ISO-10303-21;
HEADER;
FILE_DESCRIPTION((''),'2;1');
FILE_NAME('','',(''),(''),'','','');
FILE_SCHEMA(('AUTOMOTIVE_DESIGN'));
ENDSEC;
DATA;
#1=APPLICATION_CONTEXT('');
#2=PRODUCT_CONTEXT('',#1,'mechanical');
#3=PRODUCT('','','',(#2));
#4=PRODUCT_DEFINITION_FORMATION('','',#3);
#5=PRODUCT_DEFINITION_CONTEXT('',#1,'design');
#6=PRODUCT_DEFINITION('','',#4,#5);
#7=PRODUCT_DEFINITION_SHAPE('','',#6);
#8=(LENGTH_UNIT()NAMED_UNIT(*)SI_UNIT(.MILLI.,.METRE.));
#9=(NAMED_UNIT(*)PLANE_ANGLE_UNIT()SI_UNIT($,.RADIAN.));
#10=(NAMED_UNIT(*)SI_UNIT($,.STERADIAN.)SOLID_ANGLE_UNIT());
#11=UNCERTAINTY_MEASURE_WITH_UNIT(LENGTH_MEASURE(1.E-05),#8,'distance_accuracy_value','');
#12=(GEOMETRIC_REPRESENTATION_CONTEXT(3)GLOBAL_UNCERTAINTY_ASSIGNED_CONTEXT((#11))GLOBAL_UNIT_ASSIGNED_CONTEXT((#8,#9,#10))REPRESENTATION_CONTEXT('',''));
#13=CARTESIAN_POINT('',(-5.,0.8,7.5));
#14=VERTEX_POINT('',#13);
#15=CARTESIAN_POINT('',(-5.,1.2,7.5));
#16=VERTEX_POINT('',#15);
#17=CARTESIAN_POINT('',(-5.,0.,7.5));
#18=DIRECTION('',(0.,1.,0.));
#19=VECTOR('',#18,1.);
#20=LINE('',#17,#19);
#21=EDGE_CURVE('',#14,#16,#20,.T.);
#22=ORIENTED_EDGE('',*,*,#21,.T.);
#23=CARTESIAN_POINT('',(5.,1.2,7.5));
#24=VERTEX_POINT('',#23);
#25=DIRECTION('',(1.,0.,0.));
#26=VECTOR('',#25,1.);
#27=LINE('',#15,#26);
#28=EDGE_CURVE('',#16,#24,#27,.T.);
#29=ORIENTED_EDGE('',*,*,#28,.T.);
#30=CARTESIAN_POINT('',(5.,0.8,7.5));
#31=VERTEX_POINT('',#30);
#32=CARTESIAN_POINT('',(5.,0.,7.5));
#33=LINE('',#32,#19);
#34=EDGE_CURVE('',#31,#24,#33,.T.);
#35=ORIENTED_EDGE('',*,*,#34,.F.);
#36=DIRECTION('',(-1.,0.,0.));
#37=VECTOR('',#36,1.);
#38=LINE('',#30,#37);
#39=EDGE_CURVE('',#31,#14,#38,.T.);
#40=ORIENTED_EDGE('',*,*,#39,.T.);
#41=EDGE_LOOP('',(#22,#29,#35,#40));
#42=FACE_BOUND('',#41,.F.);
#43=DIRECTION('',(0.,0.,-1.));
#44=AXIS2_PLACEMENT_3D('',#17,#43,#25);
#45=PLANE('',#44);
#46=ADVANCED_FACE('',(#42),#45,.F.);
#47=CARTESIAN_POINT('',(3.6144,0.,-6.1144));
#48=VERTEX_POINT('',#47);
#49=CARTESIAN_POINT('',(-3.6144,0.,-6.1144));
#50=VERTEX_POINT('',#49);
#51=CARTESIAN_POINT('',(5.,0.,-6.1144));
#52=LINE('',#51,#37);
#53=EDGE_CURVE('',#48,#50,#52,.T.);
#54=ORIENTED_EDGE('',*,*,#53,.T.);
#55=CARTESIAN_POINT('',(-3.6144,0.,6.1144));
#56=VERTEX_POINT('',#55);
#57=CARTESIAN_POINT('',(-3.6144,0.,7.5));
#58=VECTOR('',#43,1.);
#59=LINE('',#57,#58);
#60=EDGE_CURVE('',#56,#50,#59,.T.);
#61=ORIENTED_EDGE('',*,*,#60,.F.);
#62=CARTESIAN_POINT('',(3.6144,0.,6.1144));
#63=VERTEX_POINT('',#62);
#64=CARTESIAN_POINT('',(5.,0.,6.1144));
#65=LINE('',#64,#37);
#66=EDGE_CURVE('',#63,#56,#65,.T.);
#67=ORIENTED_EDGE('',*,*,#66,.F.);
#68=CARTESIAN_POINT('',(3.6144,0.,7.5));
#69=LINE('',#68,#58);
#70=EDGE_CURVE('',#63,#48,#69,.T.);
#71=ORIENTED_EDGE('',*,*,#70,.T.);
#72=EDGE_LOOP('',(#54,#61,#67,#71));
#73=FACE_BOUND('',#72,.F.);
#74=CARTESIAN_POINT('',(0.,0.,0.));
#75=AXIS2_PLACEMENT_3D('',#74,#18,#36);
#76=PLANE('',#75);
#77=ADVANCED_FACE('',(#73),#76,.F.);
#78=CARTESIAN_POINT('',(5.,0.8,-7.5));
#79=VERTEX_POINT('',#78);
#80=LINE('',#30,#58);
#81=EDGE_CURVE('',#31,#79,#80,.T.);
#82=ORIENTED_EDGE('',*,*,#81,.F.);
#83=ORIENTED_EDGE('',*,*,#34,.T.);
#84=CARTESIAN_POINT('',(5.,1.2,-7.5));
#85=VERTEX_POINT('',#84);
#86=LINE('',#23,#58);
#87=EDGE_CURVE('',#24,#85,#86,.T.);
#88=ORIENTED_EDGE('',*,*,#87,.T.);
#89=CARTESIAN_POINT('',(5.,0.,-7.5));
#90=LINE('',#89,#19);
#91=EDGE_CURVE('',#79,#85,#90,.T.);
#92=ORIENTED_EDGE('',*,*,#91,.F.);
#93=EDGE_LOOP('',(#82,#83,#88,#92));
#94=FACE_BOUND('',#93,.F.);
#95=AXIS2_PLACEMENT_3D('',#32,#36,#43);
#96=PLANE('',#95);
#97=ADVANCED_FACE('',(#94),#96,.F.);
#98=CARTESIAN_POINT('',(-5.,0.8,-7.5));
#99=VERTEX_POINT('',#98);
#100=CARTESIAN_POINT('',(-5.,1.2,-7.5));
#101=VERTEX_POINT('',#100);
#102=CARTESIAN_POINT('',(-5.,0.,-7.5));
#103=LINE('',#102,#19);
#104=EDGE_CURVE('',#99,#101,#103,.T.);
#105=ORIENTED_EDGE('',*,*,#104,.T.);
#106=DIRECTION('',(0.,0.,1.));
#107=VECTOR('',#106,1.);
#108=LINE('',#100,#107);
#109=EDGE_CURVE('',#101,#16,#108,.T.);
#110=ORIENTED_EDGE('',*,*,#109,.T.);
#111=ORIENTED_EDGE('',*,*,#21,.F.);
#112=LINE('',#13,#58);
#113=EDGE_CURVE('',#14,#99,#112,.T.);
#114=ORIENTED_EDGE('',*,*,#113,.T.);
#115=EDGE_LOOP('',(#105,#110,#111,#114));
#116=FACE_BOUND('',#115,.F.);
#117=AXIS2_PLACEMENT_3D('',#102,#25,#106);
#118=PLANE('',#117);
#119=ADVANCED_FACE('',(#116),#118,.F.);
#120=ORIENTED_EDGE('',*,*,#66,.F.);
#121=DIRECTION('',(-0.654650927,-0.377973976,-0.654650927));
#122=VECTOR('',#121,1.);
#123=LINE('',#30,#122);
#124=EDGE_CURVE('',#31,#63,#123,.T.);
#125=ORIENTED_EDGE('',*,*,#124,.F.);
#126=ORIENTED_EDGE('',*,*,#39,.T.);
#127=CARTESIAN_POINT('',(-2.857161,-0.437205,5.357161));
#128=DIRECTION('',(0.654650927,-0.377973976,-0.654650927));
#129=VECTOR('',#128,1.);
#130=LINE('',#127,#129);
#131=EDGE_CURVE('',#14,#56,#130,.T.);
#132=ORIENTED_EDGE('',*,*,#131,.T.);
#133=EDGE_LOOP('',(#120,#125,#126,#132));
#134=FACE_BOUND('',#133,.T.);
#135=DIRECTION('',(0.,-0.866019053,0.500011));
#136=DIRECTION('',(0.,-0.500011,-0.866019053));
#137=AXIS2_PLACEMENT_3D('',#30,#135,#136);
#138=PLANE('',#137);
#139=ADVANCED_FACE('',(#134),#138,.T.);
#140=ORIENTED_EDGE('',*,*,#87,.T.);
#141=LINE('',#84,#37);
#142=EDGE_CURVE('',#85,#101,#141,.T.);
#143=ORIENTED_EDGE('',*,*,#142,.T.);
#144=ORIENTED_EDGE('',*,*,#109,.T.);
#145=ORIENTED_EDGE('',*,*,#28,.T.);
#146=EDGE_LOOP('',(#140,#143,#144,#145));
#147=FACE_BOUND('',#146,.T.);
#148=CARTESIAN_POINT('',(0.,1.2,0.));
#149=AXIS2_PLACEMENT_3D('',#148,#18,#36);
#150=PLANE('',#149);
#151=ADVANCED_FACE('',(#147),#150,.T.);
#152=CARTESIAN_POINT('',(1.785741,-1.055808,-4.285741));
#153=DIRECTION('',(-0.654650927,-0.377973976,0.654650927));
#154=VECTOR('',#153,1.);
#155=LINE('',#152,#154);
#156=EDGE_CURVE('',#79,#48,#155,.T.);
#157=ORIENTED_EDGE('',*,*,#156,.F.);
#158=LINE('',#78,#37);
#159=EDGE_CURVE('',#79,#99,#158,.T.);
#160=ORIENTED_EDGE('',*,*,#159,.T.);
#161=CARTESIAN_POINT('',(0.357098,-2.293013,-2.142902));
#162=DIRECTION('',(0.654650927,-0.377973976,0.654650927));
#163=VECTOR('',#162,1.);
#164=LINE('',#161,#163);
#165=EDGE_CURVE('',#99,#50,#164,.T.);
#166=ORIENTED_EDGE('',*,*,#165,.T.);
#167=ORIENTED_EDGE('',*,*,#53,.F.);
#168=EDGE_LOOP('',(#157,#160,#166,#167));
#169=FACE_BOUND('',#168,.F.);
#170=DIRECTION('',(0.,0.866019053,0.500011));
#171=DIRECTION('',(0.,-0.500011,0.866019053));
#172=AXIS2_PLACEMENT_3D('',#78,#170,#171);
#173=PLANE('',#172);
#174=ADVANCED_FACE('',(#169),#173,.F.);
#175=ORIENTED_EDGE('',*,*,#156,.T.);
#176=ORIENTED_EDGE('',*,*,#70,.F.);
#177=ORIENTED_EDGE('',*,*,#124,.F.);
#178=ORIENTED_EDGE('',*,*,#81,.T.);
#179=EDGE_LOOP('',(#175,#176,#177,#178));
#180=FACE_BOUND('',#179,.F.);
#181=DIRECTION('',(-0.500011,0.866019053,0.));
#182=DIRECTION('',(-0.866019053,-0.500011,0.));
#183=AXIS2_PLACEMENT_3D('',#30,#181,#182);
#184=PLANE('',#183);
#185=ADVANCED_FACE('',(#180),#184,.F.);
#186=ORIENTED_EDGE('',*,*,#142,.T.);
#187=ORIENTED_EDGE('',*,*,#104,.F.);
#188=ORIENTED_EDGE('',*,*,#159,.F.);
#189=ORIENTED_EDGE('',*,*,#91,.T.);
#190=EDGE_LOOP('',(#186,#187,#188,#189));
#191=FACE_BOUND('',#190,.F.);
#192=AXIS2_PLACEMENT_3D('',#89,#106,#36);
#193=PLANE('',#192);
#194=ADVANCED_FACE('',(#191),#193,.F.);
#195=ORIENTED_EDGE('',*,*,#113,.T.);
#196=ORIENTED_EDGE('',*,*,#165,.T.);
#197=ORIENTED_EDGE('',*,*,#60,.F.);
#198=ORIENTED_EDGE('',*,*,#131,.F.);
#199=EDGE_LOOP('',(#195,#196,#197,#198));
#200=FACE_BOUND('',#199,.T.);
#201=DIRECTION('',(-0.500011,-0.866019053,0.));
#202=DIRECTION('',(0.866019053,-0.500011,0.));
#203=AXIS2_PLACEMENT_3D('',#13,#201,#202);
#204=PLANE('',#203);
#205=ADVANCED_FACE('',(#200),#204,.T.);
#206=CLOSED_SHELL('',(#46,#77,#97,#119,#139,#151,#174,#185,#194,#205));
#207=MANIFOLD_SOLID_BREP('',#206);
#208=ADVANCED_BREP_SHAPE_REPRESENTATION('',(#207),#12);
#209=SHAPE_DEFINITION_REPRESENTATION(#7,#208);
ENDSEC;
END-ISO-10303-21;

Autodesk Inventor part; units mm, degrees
ref_plane "YZ Plane" through (0, 0, 0) normal (1, 0, 0) x (0, 1, 0)
ref_plane "XZ Plane" through (0, 0, 0) normal (0, 1, 0) x (-1, 0, 0)
ref_plane "XY Plane" through (0, 0, 0) normal (0, 0, 1) x (1, 0, 0)
sketch "Sketch1" plane through (0, 0, 0) normal (0, 1, 0) x (-1, 0, 0)
  line L0 (5, 7.5) -> (-5, 7.5)
  line L1 (-5, 7.5) -> (-5, -7.5)
  line L2 (-5, -7.5) -> (5, -7.5)
  line L3 (5, -7.5) -> (5, 7.5)
  point P0 (0, 0)
  dimension "d0" = 15
  dimension "d1" = 10
  dimension "d2" = 5
  dimension "d3" = 7.5
extrude "Extrusion1" add sketch "Sketch1" along normal blind 1.2
sketch "Sketch2" plane through (5, 0, 7.5) normal (1, 0, 0) x (0, 0, -1)
  line L0 (0, 0) -> (0, 1.2) projected
  line L1 (0, 0) -> (0, 0.8)
  line L2 (0, 0.8) -> (1.3856, 0)
  line L3 (0, 0) -> (15, 0) projected
  line L4 (0, 0) -> (1.3856, 0)
  line L5 (7.5, 0) -> (7.5, 5.1118)
  line L6 (15, 0) -> (15, 1.2)
  line L7 (15, 0) -> (15, 0.8)
  line L8 (15, 0.8) -> (13.6144, 0)
  line L9 (15, 0) -> (13.6144, 0)
  dimension "d6" = 0.8
  dimension "d7" = 30
extrude "Extrusion2" cut sketch "Sketch2" against normal through all
sketch "Sketch3" plane through (-5, 1.2, 7.5) normal (0, 0, 1) x (1, 0, 0)
  line L0 (0, -1.2) -> (0, -0.4) projected
  line L1 (0, -0.4) -> (0, -1.2)
  line L2 (0, -1.2) -> (1.3856, -1.2)
  line L3 (10, -1.2) -> (0, -1.2) projected
  line L4 (0, -0.4) -> (1.3856, -1.2)
  line L5 (5, -1.2) -> (5, 0.9136)
  line L6 (10, -1.2) -> (10, -0.4)
  line L7 (10, -0.4) -> (10, -1.2)
  line L8 (10, -1.2) -> (8.6144, -1.2)
  line L9 (10, -0.4) -> (8.6144, -1.2)
  dimension "d10" = 30
extrude "Extrusion3" cut sketch "Sketch3" against normal through all
equation "\"d2\" = 0.5 * d1"
equation "\"d3\" = 0.5 * d0"
properties part number "ChairTop"
